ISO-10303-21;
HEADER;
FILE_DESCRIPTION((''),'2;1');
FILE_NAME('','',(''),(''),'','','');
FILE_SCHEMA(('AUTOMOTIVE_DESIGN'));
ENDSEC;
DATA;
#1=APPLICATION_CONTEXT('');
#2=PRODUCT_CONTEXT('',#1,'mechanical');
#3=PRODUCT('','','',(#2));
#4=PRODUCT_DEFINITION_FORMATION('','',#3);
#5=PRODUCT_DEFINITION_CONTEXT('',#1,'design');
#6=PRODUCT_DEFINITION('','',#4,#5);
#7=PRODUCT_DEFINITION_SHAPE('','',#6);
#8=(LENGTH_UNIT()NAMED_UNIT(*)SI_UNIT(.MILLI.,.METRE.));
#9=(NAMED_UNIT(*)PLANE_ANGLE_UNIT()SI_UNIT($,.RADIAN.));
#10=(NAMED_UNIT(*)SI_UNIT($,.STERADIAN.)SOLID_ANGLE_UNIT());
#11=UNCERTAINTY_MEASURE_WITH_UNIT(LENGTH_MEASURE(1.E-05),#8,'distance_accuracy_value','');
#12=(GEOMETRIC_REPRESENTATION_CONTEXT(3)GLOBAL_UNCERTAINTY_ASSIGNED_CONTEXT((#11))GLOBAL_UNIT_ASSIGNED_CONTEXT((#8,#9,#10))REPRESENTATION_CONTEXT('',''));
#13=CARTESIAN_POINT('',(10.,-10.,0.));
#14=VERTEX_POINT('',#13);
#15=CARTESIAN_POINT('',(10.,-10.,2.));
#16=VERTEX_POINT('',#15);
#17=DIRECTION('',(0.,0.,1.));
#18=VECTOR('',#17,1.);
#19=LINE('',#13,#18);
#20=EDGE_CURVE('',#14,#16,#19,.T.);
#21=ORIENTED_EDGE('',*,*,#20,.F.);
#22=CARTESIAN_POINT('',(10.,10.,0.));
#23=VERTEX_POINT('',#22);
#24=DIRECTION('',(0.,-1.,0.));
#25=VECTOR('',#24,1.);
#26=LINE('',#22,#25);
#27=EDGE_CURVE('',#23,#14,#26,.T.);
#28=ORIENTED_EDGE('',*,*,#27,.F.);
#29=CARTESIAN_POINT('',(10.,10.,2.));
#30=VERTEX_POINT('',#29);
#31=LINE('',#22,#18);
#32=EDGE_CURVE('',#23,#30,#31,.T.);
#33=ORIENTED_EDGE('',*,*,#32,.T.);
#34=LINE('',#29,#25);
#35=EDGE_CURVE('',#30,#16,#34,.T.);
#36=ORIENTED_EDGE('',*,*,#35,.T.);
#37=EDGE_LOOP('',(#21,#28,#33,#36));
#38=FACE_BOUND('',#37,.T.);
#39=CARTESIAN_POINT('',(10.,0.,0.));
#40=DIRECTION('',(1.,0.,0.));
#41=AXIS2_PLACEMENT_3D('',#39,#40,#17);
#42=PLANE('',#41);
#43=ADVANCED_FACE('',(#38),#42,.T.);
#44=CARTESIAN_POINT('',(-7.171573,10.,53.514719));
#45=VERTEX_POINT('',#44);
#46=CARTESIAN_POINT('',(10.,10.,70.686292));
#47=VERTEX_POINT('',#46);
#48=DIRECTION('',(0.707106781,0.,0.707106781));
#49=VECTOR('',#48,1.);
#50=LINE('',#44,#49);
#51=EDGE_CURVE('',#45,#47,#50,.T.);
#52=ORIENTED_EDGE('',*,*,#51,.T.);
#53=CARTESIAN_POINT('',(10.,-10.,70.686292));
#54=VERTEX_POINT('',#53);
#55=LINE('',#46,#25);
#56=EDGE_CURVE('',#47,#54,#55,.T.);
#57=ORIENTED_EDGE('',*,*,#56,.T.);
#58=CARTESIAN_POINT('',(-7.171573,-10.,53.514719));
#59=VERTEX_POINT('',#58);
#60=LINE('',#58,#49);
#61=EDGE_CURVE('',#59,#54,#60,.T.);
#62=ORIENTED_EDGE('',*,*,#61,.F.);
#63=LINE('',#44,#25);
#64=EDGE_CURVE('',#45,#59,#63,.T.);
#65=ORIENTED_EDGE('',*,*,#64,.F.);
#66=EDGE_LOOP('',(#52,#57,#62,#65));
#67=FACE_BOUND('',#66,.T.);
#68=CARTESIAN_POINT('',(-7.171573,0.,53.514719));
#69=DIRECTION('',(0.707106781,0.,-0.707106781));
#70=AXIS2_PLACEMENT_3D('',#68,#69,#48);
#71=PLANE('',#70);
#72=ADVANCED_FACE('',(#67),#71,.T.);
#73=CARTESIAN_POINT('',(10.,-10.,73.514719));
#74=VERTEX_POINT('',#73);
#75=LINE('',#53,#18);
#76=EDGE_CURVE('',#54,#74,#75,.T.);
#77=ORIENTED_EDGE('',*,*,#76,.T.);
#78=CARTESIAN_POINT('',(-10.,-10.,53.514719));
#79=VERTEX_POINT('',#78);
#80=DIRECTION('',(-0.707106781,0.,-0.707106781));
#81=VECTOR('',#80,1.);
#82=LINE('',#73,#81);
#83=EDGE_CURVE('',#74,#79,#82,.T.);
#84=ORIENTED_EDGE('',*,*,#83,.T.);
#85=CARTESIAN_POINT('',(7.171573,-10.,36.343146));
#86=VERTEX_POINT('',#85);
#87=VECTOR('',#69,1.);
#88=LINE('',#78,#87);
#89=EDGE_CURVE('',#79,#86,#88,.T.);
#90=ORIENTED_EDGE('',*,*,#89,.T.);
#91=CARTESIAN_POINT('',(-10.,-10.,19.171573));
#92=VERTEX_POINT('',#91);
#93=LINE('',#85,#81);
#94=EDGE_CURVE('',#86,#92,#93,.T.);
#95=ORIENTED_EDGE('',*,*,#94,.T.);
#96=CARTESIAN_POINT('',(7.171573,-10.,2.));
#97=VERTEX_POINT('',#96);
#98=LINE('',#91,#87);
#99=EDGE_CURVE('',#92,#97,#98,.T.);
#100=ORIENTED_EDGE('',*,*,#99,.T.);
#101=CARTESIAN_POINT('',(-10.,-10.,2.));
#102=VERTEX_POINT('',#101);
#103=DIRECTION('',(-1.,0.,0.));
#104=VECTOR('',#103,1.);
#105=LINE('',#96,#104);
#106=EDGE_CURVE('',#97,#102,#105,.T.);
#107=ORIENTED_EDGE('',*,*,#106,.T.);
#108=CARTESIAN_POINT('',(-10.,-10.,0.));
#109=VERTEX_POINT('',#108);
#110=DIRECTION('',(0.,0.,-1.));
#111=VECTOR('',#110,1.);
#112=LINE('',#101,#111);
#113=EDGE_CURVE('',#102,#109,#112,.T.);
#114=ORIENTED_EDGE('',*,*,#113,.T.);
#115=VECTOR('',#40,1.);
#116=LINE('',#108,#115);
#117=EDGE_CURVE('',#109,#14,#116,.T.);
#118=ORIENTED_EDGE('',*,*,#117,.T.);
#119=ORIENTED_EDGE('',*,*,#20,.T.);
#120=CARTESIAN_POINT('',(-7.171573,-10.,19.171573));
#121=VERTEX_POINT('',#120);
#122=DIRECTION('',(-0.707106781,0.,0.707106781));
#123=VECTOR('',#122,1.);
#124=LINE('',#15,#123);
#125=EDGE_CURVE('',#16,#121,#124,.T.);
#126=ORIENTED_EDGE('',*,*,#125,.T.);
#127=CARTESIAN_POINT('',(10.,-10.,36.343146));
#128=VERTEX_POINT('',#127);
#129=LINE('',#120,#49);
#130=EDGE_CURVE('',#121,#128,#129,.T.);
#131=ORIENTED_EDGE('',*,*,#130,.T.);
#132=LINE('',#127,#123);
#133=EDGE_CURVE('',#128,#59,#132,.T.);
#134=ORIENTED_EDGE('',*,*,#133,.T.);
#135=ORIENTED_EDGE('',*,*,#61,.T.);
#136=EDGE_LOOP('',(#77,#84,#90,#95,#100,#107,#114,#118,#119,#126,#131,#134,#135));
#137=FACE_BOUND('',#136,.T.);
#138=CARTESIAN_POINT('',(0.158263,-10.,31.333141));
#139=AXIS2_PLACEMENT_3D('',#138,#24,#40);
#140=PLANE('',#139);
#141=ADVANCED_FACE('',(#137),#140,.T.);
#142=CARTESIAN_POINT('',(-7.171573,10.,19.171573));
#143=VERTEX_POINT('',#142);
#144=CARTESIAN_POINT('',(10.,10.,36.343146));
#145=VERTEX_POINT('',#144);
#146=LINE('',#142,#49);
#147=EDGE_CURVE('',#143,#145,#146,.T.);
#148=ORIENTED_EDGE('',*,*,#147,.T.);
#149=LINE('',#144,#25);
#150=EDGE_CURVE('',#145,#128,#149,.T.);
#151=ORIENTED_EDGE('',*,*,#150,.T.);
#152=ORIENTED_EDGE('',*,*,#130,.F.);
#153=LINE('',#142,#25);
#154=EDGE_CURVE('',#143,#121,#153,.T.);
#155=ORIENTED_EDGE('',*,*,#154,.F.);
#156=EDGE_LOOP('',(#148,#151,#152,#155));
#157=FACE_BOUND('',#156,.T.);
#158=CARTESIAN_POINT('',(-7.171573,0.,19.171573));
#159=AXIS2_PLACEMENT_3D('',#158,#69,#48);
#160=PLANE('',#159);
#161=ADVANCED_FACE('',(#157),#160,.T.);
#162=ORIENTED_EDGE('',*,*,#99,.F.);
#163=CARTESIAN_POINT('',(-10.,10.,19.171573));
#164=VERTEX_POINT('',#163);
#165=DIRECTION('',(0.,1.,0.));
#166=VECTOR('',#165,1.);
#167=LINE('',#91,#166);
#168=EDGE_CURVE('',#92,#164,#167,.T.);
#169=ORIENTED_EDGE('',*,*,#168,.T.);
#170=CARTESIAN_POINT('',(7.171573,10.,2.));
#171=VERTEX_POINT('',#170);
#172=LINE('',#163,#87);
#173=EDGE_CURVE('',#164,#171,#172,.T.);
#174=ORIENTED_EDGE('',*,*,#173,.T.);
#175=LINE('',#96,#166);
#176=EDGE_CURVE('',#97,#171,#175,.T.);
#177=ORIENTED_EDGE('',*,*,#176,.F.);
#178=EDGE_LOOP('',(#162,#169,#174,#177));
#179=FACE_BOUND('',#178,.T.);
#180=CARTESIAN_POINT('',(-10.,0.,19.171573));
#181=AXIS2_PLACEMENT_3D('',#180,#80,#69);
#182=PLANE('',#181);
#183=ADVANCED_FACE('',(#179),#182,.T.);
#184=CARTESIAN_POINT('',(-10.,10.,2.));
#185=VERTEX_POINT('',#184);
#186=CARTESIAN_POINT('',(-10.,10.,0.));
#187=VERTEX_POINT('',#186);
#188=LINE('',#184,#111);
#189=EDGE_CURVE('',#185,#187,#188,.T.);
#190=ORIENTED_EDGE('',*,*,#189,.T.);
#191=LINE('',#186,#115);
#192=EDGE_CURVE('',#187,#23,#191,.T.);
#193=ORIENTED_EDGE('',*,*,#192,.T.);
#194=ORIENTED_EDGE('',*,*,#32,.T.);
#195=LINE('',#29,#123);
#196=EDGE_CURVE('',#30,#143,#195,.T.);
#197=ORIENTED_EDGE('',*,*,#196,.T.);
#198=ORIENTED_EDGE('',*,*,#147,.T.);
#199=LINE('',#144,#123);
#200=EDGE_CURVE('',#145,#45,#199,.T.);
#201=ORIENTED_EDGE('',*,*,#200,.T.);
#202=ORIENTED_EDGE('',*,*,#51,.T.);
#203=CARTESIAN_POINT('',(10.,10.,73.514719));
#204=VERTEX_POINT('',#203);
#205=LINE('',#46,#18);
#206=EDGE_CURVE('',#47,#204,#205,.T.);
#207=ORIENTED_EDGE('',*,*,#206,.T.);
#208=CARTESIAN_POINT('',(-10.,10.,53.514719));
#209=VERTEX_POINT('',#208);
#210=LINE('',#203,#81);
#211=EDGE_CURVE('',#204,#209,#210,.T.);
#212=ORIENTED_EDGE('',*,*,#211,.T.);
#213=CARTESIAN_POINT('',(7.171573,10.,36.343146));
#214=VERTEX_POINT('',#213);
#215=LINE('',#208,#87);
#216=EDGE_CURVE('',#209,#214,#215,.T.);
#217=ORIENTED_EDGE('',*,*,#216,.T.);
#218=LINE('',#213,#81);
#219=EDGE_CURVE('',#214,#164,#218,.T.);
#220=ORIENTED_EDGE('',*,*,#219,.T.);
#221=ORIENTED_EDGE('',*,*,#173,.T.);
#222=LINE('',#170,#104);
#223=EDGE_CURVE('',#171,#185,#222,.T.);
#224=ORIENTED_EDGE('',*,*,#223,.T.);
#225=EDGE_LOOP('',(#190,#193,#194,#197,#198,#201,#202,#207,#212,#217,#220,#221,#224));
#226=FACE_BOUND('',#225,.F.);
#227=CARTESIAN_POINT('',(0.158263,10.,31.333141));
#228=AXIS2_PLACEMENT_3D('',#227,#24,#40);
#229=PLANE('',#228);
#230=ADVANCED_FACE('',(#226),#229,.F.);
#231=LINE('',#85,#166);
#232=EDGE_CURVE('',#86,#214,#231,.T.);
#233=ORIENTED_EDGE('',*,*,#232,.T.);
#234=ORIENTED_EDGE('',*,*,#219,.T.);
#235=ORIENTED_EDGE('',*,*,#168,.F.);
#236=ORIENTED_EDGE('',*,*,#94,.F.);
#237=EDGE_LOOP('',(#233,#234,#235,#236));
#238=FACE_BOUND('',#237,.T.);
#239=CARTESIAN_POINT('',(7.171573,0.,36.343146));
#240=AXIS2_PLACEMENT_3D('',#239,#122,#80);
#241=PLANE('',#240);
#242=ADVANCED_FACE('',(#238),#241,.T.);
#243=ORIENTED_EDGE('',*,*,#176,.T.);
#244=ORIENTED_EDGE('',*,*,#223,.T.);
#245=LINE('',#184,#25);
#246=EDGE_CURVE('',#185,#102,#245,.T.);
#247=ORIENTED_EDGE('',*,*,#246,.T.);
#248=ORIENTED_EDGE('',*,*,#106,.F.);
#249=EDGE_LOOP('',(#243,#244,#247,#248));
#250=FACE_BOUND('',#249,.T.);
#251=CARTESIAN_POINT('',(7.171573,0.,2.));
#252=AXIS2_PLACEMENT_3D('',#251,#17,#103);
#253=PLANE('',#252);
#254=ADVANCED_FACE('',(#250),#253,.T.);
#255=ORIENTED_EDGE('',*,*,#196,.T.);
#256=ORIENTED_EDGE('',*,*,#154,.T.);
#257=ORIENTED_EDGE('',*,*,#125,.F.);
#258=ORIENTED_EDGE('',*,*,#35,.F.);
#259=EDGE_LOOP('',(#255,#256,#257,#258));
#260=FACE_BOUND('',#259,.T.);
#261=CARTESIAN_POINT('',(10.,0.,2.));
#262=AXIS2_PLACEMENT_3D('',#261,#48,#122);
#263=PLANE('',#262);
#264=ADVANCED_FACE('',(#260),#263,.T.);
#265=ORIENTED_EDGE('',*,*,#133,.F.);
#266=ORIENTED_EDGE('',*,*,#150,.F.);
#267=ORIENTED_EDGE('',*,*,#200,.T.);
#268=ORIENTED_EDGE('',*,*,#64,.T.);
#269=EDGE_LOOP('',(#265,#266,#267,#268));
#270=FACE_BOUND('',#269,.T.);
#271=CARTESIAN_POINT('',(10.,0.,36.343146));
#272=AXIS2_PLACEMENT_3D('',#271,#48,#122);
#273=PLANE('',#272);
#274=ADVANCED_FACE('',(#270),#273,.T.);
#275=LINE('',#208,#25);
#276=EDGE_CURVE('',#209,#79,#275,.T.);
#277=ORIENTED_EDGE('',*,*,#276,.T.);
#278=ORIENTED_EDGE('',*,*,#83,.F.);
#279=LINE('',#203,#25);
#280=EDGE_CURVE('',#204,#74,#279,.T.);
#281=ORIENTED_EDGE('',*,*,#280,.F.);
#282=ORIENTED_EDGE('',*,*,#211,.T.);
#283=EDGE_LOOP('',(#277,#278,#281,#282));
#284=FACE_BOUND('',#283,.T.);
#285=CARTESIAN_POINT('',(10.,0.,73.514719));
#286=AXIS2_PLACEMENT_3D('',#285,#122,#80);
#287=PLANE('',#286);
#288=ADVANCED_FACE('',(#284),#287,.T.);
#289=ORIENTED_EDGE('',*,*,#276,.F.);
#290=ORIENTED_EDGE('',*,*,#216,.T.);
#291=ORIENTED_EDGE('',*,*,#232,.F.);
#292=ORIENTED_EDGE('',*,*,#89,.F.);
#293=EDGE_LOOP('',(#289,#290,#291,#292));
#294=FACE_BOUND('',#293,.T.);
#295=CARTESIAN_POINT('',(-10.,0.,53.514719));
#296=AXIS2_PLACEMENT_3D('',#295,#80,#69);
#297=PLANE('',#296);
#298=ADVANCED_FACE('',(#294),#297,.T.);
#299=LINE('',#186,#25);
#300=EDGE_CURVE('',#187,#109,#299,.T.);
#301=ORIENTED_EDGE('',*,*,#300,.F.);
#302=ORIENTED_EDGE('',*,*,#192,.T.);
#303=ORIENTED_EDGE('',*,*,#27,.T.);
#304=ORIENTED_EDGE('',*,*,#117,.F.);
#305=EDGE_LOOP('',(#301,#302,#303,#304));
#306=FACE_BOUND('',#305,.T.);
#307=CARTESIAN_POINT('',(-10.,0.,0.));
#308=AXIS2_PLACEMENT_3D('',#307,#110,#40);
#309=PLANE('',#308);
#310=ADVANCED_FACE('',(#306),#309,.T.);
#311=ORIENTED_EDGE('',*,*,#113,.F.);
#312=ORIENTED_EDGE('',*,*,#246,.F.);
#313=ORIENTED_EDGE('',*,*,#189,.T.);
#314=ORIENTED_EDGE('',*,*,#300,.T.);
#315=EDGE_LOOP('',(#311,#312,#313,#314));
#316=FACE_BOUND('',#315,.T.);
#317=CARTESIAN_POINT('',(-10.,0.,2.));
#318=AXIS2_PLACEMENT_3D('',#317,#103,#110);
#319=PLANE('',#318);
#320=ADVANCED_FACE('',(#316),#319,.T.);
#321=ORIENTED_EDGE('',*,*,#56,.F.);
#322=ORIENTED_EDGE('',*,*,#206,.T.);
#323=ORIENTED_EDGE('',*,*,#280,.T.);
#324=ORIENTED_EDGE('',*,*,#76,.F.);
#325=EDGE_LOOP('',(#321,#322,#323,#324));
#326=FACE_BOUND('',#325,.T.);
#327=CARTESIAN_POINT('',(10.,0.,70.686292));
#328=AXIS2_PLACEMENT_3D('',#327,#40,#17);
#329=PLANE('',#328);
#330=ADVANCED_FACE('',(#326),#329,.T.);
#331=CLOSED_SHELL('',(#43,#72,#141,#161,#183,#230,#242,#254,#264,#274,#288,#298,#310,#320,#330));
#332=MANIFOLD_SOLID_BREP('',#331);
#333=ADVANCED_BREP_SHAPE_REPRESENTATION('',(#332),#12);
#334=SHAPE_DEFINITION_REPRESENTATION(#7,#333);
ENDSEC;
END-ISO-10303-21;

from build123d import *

# Parameters (mm, degrees)
F1_DEPTH = 10


with BuildPart() as f1:
    # F0 (on Front) → F1 (new body, symmetric)
    with BuildSketch(Plane.XZ):
        Polygon((7.171573, 2), (-10, 2), (-10, 0), (10, 0), (10, 2), (-7.171573, 19.171573), (10, 36.343146), (-7.171573, 53.514719), (10, 70.686292), (10, 73.514719), (-10, 53.514719), (7.171573, 36.343146), (-10, 19.171573), align=None)
    extrude(amount=F1_DEPTH, both=True)


solid = f1.part
